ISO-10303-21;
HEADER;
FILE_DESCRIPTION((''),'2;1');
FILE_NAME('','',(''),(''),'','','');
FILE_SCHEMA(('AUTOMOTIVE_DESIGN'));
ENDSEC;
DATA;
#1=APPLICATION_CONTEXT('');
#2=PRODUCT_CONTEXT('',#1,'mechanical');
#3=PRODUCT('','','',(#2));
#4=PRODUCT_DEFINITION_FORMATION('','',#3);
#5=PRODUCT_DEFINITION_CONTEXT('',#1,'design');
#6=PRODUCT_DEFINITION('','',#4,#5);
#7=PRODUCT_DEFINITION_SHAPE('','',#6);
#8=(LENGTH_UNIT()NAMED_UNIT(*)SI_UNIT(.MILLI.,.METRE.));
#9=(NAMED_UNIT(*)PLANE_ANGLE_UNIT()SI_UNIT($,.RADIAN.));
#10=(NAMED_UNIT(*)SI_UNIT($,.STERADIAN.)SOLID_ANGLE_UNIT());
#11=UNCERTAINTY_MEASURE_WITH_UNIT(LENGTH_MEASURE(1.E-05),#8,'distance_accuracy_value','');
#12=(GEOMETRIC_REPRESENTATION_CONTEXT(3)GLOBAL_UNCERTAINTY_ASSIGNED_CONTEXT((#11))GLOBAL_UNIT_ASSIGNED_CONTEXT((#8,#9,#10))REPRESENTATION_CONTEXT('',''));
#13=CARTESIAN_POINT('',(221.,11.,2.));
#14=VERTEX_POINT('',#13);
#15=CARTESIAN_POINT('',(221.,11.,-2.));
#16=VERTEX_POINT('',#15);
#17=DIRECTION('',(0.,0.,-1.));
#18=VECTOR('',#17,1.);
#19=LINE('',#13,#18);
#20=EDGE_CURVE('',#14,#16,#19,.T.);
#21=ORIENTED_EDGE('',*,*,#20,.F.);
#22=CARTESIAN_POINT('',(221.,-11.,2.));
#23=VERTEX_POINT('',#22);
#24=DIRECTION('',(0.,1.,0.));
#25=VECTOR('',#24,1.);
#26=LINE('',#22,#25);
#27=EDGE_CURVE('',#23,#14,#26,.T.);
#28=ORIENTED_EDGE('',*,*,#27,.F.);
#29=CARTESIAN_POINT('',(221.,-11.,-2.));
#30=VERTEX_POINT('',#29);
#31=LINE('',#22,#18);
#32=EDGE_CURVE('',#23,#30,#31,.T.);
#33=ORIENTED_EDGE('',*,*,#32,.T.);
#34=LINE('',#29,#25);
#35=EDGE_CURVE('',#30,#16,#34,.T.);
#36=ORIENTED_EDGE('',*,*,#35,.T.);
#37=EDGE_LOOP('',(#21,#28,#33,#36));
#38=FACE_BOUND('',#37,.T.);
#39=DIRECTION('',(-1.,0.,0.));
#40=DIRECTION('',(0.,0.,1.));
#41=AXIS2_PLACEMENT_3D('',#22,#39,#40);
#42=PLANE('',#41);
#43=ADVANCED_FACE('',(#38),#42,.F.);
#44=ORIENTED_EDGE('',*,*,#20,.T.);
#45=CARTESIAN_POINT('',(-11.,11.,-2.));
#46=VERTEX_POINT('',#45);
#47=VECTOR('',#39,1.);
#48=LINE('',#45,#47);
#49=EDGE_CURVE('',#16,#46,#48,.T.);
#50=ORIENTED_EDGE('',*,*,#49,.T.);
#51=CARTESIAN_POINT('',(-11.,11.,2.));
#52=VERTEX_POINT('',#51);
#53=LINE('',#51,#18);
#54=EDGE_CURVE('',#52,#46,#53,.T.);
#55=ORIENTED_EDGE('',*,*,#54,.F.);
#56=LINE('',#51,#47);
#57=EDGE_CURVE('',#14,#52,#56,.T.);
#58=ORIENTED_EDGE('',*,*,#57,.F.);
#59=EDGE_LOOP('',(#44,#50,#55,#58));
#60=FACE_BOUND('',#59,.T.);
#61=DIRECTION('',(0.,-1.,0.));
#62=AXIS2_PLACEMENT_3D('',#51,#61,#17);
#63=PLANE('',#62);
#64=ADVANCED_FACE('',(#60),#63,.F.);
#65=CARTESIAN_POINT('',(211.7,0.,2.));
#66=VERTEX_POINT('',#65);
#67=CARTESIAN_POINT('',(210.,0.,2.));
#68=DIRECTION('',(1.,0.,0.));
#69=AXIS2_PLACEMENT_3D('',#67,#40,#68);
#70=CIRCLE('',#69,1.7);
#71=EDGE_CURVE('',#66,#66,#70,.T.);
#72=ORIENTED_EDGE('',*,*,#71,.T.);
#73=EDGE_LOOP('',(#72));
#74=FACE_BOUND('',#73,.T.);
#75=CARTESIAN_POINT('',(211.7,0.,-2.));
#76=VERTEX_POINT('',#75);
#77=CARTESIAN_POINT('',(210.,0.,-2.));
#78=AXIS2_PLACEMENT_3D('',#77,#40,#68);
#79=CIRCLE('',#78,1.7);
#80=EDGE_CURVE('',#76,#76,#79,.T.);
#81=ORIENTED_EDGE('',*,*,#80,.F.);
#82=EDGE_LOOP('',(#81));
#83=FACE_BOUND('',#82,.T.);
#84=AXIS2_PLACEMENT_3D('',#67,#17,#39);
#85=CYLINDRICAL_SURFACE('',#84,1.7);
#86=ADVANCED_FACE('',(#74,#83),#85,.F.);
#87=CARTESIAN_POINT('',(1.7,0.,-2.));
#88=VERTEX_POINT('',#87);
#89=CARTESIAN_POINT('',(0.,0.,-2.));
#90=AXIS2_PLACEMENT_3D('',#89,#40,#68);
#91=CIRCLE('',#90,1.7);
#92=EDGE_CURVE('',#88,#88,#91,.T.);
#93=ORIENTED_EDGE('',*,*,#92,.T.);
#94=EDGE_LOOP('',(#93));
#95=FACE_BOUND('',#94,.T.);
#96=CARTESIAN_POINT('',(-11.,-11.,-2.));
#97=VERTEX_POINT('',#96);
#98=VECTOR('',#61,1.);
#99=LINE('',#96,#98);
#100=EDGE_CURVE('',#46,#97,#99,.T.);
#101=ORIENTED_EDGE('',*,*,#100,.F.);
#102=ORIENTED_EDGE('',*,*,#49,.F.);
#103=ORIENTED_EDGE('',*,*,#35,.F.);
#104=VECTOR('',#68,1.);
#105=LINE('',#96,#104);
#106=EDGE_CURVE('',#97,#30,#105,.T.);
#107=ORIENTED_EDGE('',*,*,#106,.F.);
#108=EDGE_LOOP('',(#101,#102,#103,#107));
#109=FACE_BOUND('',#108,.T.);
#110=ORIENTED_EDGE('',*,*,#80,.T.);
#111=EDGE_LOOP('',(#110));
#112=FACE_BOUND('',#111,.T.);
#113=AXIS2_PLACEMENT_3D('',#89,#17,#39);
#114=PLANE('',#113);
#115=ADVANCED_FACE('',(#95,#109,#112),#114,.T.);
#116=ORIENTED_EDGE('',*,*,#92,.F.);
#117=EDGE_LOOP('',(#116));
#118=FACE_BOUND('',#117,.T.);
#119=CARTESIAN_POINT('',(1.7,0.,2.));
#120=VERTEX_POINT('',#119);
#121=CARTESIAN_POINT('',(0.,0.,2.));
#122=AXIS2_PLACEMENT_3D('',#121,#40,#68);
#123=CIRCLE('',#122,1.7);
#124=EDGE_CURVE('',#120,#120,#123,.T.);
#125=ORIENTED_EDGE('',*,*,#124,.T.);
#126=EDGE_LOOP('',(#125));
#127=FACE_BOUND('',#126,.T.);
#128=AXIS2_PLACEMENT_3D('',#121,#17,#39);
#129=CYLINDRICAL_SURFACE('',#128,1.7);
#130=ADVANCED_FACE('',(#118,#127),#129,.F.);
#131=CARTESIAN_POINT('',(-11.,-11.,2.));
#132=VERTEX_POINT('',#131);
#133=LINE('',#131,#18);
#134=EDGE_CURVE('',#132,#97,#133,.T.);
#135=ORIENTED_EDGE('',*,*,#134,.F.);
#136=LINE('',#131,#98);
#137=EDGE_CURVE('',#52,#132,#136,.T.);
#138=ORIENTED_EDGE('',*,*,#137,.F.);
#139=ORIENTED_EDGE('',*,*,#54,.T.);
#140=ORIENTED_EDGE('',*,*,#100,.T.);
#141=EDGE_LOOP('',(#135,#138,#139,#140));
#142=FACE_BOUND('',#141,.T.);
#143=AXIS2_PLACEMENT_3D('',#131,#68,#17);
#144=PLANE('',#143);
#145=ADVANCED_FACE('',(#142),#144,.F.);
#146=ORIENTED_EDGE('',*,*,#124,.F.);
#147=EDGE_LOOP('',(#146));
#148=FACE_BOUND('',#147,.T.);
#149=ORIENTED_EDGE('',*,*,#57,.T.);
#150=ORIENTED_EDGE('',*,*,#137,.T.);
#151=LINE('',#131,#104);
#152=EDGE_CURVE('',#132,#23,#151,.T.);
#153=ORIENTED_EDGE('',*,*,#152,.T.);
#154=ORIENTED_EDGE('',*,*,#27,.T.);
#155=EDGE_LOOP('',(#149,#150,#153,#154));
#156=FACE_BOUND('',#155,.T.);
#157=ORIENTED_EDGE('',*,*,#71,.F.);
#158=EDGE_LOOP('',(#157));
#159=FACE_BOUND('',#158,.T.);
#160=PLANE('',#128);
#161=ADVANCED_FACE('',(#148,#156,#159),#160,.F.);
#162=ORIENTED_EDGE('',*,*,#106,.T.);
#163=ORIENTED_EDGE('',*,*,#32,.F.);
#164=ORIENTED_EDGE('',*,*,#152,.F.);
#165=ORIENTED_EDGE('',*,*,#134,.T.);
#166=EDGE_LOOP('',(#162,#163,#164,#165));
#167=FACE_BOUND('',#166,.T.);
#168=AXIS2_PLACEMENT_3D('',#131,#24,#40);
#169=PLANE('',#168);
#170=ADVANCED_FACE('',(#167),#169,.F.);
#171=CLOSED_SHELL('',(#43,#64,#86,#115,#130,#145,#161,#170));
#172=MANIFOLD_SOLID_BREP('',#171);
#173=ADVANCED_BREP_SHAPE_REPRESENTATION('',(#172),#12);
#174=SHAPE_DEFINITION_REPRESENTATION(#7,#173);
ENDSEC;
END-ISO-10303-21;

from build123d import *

# Parameters (mm, degrees)
SKETCH_1_W      = 232
SKETCH_1_H      = 22
SKETCH_1_R      = 1.7
EXTRUDE_1_DEPTH = 2


with BuildPart() as part:
    # 草图1 → 凸台-拉伸1 (new, symmetric)
    with BuildSketch(Plane.XY):
        with Locations((105, 0)):
            Rectangle(SKETCH_1_W, SKETCH_1_H)
        Circle(SKETCH_1_R, mode=Mode.SUBTRACT)
        with Locations((210, 0)):
            Circle(SKETCH_1_R, mode=Mode.SUBTRACT)
    extrude(amount=EXTRUDE_1_DEPTH, both=True)


solid = part.part
